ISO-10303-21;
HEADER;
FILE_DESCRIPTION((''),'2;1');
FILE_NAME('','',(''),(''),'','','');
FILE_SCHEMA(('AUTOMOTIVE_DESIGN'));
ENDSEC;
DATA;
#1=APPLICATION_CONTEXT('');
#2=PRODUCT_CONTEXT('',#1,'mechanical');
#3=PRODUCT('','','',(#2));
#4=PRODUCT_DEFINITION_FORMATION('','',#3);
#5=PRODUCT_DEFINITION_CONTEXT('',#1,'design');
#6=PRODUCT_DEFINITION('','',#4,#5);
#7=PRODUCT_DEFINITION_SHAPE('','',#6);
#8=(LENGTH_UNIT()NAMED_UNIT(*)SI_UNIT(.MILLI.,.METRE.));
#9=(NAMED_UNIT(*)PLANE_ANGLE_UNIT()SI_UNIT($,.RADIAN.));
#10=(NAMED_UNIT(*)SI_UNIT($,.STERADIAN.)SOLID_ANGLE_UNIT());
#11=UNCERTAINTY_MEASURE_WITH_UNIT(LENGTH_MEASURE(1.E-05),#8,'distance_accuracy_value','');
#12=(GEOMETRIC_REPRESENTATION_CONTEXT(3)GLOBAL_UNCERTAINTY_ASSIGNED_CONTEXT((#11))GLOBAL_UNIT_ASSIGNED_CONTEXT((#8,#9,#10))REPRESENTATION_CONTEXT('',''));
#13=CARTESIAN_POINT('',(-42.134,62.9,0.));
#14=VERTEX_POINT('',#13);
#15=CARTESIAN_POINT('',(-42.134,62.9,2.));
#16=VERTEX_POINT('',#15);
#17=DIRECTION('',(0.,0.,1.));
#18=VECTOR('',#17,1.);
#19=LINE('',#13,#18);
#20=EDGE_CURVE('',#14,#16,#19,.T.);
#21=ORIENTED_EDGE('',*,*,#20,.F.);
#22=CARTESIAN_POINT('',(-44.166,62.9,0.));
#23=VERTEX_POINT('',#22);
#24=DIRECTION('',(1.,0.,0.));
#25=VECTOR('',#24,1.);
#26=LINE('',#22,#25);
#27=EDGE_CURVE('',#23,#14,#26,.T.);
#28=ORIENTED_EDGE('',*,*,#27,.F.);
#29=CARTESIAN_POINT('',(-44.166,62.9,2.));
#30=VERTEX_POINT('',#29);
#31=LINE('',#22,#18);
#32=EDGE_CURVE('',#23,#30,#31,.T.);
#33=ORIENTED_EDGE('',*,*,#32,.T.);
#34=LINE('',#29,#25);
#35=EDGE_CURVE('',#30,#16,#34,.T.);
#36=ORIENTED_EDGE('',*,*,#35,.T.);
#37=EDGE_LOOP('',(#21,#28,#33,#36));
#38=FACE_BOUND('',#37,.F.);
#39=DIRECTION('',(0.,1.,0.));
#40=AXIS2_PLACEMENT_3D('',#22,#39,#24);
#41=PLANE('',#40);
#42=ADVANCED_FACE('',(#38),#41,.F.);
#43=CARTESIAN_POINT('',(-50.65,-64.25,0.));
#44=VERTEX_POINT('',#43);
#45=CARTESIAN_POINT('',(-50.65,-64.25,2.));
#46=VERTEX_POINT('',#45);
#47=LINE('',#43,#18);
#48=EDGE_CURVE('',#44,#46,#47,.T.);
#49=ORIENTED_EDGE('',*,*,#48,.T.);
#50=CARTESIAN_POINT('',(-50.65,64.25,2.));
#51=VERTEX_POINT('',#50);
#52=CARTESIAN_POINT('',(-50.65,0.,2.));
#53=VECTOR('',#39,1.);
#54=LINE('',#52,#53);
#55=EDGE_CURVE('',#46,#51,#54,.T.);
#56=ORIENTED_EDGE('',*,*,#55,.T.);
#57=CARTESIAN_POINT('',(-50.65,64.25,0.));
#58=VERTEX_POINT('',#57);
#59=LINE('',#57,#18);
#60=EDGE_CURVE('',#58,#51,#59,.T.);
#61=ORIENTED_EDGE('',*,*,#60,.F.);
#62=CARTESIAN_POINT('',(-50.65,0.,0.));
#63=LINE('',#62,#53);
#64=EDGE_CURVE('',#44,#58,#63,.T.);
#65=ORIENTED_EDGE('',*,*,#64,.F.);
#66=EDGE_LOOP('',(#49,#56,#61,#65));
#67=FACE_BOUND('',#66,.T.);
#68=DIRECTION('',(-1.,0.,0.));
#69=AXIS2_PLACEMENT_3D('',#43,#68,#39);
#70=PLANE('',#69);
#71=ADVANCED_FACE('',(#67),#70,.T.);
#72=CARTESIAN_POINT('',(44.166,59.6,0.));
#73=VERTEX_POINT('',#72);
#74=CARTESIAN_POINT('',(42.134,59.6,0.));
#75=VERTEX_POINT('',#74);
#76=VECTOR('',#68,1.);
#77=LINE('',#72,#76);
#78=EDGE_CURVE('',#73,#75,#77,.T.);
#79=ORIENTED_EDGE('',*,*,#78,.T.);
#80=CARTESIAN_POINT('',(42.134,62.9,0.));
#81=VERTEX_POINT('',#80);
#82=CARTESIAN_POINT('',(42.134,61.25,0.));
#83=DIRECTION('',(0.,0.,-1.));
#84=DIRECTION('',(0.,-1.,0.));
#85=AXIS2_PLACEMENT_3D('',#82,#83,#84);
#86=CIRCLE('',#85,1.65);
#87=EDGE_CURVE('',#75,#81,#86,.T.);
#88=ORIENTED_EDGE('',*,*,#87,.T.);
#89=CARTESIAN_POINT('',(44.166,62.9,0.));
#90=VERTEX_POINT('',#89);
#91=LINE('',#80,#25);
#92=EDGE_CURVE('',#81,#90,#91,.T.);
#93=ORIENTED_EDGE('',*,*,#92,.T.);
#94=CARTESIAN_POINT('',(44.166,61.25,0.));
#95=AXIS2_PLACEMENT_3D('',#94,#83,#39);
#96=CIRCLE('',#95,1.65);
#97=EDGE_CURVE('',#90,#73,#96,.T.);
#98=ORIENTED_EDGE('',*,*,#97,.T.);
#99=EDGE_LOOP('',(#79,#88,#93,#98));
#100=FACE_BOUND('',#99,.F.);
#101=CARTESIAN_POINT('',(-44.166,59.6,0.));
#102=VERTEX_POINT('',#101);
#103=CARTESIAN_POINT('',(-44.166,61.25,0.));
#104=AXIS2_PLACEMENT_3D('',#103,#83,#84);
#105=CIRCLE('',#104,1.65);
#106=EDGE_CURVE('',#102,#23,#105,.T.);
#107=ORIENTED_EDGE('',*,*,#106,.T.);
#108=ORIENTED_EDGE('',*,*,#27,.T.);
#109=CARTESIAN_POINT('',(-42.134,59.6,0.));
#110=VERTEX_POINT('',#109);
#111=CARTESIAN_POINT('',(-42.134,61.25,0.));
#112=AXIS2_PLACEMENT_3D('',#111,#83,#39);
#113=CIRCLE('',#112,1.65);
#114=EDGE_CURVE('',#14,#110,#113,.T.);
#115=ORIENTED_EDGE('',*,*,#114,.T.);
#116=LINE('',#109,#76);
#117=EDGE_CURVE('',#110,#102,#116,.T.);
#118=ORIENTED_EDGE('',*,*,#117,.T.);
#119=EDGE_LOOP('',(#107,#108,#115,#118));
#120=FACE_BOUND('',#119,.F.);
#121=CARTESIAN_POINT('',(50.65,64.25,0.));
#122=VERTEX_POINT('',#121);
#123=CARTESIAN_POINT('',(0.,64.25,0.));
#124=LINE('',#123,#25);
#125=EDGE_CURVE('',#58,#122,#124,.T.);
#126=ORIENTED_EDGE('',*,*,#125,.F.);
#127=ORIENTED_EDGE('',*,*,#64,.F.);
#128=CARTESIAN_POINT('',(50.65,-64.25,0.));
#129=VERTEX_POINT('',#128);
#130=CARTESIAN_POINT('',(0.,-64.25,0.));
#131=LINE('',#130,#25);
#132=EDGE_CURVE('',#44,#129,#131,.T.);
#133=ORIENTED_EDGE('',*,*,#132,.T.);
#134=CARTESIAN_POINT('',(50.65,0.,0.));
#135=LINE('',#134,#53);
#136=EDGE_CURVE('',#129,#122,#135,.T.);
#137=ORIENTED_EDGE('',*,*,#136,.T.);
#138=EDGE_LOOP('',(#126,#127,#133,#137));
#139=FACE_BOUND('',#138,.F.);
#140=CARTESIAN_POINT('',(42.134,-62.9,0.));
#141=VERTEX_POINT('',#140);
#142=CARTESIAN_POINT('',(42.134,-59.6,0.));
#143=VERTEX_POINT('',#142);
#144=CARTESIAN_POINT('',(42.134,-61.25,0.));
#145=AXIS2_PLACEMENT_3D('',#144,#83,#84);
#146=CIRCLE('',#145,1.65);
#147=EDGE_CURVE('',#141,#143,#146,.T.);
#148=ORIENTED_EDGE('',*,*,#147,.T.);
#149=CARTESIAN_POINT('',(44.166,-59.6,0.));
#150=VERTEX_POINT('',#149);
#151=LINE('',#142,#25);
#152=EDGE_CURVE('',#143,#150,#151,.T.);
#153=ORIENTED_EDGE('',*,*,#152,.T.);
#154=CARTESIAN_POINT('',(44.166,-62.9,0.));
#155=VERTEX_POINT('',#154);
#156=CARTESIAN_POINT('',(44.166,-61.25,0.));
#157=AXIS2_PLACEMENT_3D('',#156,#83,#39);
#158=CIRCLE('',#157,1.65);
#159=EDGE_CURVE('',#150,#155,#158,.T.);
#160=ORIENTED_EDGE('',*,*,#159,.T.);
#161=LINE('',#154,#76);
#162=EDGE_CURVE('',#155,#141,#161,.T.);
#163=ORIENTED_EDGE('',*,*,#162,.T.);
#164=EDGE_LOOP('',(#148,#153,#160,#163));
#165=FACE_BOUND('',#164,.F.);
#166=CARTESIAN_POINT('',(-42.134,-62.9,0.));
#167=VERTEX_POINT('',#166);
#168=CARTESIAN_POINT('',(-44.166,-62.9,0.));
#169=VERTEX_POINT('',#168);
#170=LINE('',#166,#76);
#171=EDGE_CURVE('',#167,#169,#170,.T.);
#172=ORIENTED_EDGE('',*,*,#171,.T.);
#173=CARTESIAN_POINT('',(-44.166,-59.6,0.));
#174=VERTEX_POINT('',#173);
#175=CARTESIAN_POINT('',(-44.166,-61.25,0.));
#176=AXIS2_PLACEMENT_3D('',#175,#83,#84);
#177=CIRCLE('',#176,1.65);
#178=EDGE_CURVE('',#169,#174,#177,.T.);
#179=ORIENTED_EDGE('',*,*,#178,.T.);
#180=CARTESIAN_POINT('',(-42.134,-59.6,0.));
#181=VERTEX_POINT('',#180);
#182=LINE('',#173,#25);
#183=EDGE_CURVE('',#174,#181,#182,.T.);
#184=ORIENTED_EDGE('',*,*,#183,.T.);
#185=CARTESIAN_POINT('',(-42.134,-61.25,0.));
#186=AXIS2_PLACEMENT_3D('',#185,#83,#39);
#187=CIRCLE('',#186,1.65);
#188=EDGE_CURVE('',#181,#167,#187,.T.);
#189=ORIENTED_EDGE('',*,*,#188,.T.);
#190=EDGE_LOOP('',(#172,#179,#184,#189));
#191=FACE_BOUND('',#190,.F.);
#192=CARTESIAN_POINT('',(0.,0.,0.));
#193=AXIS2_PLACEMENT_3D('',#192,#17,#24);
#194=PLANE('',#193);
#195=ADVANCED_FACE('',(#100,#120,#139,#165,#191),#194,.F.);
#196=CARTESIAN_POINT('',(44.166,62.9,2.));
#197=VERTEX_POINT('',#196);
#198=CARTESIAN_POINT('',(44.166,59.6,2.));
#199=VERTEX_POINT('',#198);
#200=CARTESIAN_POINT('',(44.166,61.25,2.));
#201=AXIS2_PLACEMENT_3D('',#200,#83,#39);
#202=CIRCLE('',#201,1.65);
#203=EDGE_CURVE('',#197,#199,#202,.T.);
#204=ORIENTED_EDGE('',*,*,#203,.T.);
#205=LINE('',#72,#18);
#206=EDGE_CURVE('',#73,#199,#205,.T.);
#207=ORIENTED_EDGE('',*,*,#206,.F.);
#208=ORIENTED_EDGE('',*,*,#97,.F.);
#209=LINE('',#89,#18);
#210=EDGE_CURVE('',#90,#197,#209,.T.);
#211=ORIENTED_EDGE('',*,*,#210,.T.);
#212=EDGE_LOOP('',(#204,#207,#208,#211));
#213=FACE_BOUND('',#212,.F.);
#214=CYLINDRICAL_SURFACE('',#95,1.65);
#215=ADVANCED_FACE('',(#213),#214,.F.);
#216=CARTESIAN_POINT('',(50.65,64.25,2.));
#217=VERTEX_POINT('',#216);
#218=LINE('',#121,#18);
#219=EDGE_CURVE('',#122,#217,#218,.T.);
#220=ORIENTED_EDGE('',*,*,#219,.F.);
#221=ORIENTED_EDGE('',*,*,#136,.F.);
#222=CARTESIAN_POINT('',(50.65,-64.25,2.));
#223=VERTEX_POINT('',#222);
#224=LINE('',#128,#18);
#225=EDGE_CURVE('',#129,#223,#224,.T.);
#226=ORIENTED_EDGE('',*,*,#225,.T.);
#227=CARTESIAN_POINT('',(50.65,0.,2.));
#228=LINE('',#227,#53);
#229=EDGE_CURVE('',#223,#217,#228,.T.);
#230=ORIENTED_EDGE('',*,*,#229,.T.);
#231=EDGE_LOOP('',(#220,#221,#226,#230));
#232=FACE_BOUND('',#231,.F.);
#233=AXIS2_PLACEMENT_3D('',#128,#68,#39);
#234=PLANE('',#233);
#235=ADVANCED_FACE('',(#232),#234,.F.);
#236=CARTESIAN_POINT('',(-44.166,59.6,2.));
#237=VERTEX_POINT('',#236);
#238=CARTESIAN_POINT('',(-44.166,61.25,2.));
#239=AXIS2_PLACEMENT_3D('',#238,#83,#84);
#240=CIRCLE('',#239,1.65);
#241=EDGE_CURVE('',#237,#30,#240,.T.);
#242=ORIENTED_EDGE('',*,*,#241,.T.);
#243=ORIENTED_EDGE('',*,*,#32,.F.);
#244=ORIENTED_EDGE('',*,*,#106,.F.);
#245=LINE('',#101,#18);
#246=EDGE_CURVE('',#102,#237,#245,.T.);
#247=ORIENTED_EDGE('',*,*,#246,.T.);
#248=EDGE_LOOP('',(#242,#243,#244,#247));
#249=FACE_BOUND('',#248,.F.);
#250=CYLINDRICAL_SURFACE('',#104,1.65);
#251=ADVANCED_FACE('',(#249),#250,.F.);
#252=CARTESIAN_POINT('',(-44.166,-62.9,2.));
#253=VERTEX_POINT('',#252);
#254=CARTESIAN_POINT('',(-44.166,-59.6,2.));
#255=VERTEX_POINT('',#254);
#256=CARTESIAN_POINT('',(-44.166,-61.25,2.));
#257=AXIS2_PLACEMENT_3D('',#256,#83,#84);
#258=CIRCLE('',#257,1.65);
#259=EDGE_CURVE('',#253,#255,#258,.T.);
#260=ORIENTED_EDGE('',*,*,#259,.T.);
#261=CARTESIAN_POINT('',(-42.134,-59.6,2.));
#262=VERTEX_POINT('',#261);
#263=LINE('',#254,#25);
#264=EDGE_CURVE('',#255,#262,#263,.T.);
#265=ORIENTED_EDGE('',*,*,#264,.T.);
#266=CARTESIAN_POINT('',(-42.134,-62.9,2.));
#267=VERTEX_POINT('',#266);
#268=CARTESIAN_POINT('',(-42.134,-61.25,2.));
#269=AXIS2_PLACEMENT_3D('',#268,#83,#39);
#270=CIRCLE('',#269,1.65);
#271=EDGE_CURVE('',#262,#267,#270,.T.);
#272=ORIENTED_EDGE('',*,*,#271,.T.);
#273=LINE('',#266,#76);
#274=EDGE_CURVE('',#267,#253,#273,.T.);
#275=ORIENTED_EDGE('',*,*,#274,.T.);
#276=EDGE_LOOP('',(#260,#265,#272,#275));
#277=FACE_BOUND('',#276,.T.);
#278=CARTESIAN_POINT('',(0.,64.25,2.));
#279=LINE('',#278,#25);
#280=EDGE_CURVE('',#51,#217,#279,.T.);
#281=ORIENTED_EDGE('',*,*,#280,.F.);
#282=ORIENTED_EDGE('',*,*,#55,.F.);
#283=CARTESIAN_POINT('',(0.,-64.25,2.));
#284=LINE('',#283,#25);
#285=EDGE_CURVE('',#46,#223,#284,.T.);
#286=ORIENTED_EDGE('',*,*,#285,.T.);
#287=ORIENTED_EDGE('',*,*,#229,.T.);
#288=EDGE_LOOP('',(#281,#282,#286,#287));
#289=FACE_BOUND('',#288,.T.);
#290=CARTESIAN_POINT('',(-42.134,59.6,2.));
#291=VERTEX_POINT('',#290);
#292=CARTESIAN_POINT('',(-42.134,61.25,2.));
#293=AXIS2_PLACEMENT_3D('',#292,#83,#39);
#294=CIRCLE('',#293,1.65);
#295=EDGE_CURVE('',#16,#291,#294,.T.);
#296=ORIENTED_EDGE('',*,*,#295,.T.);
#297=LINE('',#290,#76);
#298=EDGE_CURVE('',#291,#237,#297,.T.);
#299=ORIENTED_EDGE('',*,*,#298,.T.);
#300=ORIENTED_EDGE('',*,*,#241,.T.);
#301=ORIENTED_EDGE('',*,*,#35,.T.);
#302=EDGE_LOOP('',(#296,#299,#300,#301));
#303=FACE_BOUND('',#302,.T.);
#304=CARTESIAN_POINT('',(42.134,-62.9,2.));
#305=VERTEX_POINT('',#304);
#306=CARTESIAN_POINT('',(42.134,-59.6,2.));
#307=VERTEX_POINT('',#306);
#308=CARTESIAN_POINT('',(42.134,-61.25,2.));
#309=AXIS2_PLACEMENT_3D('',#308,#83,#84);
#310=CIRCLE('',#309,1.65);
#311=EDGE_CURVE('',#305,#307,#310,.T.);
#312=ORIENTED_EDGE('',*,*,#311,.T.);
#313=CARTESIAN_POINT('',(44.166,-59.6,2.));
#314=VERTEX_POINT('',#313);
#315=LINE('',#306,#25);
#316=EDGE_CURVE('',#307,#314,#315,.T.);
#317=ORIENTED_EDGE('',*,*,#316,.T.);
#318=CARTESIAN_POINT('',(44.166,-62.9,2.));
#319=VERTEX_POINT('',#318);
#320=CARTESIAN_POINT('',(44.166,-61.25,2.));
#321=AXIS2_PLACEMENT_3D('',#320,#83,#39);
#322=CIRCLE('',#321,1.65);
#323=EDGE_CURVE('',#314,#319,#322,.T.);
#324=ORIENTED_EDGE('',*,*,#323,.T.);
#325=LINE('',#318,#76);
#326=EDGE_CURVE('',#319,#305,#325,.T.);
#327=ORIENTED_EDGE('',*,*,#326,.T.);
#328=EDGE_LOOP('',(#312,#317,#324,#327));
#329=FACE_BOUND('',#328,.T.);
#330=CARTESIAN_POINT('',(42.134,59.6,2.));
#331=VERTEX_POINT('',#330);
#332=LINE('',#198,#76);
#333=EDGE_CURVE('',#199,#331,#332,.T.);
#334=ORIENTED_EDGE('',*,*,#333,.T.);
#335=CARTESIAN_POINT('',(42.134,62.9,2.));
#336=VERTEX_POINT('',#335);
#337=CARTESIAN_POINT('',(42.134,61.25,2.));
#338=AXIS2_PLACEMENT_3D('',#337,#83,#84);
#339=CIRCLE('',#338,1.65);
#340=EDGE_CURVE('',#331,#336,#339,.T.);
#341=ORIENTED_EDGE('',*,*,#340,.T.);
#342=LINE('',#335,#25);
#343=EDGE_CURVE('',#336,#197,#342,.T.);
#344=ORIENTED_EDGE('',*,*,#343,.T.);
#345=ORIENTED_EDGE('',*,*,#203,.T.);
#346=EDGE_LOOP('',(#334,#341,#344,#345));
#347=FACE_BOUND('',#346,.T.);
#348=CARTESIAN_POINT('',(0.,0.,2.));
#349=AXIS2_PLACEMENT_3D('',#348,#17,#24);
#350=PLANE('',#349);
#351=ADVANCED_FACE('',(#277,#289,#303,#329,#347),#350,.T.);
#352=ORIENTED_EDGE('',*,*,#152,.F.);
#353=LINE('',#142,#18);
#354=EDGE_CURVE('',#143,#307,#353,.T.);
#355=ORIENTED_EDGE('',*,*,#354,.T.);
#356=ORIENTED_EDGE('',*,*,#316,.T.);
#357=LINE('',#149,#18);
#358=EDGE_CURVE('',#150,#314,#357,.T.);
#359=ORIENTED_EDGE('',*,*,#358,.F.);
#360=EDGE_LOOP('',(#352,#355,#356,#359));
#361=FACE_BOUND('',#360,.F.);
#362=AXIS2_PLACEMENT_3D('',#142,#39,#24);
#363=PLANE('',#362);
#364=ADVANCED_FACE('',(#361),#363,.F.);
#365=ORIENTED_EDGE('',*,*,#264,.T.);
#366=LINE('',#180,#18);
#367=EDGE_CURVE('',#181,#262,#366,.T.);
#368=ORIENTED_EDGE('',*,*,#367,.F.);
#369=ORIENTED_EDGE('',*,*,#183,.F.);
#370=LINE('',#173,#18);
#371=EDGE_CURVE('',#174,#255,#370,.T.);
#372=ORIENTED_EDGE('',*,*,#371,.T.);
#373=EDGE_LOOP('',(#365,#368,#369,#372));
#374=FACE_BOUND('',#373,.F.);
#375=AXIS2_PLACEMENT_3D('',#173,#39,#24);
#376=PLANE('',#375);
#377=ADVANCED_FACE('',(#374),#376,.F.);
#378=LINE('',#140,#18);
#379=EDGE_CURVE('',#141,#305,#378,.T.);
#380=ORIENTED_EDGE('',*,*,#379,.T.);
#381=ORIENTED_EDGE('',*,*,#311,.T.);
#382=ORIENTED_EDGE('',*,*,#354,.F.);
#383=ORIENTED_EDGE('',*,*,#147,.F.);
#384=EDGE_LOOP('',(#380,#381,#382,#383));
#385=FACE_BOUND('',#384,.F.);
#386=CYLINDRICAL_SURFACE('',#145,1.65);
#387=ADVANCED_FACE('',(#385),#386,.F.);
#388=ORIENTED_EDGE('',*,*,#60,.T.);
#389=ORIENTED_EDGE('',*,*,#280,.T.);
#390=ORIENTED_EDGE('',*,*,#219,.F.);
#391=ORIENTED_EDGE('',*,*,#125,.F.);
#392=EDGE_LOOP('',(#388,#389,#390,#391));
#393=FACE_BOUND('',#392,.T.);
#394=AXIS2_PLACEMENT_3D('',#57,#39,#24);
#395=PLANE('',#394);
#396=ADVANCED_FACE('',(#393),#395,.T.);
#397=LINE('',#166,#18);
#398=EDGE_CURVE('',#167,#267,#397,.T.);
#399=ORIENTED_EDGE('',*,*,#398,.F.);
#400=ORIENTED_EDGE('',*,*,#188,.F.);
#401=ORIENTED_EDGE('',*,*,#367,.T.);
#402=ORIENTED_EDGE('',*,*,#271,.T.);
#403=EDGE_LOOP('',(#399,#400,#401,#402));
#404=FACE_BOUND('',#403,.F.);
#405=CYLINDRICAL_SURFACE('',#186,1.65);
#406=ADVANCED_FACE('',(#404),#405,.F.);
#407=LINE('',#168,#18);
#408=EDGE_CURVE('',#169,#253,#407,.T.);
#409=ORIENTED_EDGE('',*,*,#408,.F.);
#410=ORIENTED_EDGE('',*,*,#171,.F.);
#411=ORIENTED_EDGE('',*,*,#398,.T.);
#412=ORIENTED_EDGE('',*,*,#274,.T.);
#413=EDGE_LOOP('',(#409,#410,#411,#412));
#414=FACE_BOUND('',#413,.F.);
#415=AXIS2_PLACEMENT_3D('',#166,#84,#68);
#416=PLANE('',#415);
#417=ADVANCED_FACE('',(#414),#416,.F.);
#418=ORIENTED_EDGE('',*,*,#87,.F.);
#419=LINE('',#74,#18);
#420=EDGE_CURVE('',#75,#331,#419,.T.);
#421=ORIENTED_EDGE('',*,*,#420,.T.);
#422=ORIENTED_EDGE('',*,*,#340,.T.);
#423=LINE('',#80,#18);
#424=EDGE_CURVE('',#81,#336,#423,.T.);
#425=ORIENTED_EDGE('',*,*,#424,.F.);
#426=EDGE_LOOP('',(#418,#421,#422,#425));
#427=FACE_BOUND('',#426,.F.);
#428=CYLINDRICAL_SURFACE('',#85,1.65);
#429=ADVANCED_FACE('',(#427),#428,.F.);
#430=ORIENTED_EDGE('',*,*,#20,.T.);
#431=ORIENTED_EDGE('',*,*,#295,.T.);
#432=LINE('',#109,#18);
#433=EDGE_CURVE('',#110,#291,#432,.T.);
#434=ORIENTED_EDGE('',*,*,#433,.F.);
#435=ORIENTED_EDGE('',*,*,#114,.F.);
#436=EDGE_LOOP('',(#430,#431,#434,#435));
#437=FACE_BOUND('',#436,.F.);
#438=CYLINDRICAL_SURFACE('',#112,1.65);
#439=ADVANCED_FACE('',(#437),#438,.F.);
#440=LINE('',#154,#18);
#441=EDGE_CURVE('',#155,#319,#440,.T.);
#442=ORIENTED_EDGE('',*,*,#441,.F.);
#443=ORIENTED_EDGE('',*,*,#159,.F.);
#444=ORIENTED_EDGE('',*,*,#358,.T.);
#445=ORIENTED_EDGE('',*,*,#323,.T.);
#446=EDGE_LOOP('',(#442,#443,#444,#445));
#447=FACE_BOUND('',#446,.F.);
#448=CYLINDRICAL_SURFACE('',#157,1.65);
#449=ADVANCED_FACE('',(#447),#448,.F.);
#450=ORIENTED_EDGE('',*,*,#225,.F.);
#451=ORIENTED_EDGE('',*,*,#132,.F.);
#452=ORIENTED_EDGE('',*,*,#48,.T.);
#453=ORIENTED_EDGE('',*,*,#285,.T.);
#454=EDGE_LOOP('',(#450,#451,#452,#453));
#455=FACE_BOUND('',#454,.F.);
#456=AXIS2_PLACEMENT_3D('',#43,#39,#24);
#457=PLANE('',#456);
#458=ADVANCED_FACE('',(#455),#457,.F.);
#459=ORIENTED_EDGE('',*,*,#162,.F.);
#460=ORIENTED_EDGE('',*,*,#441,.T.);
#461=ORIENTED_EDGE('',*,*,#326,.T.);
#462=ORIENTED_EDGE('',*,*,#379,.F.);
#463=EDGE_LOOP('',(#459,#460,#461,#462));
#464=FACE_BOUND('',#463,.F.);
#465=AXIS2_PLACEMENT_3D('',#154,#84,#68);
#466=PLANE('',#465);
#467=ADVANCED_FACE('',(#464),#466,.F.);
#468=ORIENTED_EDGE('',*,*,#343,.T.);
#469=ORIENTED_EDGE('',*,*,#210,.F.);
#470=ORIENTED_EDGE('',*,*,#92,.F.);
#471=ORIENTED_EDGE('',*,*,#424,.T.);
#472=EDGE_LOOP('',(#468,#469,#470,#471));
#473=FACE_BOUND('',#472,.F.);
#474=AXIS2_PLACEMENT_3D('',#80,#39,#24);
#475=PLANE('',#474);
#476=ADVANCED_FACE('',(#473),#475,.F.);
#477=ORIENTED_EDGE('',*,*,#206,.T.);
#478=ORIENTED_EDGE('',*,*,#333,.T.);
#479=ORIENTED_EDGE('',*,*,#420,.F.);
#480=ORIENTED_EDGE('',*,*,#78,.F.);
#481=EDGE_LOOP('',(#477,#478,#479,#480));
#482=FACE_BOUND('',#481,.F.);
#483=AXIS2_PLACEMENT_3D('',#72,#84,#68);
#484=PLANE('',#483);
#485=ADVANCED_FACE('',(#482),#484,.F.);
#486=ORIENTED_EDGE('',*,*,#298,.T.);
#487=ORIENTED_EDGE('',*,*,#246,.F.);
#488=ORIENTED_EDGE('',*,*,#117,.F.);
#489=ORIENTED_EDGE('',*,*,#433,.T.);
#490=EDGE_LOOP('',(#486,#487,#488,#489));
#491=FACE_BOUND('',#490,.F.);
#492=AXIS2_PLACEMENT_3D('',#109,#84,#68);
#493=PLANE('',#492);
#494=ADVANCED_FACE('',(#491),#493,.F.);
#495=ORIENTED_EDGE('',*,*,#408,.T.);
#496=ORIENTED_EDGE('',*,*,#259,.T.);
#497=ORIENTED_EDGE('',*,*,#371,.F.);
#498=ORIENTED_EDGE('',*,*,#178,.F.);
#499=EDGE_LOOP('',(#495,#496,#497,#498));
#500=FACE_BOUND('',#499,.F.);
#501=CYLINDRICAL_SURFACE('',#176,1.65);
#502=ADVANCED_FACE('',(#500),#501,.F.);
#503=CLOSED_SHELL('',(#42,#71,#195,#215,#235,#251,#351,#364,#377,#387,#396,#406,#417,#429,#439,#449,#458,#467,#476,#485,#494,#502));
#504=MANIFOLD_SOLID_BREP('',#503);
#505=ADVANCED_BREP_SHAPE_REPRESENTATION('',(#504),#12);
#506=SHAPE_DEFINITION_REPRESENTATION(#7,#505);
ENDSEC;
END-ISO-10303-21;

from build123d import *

# Parameters (mm, degrees)
SKETCH1_W           = 101.3
SKETCH1_H           = 128.5
BOSS_EXTRUDE1_DEPTH = 2


with BuildPart() as part:
    # Sketch1 → Boss-Extrude1 (new body)
    with BuildSketch(Plane.XY):
        Rectangle(SKETCH1_W, SKETCH1_H)
        with BuildLine():
            Line((-44.166, -59.6), (-42.134, -59.6))
            ThreePointArc((-42.134, -59.6), (-40.484, -61.25), (-42.134, -62.9))
            Line((-42.134, -62.9), (-44.166, -62.9))
            ThreePointArc((-44.166, -62.9), (-45.816, -61.25), (-44.166, -59.6))
        make_face(mode=Mode.SUBTRACT)
        with BuildLine():
            Line((-44.166, 62.9), (-42.134, 62.9))
            ThreePointArc((-42.134, 62.9), (-40.484, 61.25), (-42.134, 59.6))
            Line((-42.134, 59.6), (-44.166, 59.6))
            ThreePointArc((-44.166, 59.6), (-45.816, 61.25), (-44.166, 62.9))
        make_face(mode=Mode.SUBTRACT)
        with BuildLine():
            Line((42.134000014, 62.9), (44.166000014, 62.9))
            ThreePointArc((44.166000014, 62.9), (45.816000014, 61.25), (44.166000014, 59.6))
            Line((44.166000014, 59.6), (42.134000014, 59.6))
            ThreePointArc((42.134000014, 59.6), (40.484000014, 61.25), (42.134000014, 62.9))
        make_face(mode=Mode.SUBTRACT)
        with BuildLine():
            Line((42.134000014, -59.6), (44.166000014, -59.6))
            ThreePointArc((44.166000014, -59.6), (45.816000014, -61.25), (44.166000014, -62.9))
            Line((44.166000014, -62.9), (42.134000014, -62.9))
            ThreePointArc((42.134000014, -62.9), (40.484000014, -61.25), (42.134000014, -59.6))
        make_face(mode=Mode.SUBTRACT)
    extrude(amount=BOSS_EXTRUDE1_DEPTH)


solid = part.part
